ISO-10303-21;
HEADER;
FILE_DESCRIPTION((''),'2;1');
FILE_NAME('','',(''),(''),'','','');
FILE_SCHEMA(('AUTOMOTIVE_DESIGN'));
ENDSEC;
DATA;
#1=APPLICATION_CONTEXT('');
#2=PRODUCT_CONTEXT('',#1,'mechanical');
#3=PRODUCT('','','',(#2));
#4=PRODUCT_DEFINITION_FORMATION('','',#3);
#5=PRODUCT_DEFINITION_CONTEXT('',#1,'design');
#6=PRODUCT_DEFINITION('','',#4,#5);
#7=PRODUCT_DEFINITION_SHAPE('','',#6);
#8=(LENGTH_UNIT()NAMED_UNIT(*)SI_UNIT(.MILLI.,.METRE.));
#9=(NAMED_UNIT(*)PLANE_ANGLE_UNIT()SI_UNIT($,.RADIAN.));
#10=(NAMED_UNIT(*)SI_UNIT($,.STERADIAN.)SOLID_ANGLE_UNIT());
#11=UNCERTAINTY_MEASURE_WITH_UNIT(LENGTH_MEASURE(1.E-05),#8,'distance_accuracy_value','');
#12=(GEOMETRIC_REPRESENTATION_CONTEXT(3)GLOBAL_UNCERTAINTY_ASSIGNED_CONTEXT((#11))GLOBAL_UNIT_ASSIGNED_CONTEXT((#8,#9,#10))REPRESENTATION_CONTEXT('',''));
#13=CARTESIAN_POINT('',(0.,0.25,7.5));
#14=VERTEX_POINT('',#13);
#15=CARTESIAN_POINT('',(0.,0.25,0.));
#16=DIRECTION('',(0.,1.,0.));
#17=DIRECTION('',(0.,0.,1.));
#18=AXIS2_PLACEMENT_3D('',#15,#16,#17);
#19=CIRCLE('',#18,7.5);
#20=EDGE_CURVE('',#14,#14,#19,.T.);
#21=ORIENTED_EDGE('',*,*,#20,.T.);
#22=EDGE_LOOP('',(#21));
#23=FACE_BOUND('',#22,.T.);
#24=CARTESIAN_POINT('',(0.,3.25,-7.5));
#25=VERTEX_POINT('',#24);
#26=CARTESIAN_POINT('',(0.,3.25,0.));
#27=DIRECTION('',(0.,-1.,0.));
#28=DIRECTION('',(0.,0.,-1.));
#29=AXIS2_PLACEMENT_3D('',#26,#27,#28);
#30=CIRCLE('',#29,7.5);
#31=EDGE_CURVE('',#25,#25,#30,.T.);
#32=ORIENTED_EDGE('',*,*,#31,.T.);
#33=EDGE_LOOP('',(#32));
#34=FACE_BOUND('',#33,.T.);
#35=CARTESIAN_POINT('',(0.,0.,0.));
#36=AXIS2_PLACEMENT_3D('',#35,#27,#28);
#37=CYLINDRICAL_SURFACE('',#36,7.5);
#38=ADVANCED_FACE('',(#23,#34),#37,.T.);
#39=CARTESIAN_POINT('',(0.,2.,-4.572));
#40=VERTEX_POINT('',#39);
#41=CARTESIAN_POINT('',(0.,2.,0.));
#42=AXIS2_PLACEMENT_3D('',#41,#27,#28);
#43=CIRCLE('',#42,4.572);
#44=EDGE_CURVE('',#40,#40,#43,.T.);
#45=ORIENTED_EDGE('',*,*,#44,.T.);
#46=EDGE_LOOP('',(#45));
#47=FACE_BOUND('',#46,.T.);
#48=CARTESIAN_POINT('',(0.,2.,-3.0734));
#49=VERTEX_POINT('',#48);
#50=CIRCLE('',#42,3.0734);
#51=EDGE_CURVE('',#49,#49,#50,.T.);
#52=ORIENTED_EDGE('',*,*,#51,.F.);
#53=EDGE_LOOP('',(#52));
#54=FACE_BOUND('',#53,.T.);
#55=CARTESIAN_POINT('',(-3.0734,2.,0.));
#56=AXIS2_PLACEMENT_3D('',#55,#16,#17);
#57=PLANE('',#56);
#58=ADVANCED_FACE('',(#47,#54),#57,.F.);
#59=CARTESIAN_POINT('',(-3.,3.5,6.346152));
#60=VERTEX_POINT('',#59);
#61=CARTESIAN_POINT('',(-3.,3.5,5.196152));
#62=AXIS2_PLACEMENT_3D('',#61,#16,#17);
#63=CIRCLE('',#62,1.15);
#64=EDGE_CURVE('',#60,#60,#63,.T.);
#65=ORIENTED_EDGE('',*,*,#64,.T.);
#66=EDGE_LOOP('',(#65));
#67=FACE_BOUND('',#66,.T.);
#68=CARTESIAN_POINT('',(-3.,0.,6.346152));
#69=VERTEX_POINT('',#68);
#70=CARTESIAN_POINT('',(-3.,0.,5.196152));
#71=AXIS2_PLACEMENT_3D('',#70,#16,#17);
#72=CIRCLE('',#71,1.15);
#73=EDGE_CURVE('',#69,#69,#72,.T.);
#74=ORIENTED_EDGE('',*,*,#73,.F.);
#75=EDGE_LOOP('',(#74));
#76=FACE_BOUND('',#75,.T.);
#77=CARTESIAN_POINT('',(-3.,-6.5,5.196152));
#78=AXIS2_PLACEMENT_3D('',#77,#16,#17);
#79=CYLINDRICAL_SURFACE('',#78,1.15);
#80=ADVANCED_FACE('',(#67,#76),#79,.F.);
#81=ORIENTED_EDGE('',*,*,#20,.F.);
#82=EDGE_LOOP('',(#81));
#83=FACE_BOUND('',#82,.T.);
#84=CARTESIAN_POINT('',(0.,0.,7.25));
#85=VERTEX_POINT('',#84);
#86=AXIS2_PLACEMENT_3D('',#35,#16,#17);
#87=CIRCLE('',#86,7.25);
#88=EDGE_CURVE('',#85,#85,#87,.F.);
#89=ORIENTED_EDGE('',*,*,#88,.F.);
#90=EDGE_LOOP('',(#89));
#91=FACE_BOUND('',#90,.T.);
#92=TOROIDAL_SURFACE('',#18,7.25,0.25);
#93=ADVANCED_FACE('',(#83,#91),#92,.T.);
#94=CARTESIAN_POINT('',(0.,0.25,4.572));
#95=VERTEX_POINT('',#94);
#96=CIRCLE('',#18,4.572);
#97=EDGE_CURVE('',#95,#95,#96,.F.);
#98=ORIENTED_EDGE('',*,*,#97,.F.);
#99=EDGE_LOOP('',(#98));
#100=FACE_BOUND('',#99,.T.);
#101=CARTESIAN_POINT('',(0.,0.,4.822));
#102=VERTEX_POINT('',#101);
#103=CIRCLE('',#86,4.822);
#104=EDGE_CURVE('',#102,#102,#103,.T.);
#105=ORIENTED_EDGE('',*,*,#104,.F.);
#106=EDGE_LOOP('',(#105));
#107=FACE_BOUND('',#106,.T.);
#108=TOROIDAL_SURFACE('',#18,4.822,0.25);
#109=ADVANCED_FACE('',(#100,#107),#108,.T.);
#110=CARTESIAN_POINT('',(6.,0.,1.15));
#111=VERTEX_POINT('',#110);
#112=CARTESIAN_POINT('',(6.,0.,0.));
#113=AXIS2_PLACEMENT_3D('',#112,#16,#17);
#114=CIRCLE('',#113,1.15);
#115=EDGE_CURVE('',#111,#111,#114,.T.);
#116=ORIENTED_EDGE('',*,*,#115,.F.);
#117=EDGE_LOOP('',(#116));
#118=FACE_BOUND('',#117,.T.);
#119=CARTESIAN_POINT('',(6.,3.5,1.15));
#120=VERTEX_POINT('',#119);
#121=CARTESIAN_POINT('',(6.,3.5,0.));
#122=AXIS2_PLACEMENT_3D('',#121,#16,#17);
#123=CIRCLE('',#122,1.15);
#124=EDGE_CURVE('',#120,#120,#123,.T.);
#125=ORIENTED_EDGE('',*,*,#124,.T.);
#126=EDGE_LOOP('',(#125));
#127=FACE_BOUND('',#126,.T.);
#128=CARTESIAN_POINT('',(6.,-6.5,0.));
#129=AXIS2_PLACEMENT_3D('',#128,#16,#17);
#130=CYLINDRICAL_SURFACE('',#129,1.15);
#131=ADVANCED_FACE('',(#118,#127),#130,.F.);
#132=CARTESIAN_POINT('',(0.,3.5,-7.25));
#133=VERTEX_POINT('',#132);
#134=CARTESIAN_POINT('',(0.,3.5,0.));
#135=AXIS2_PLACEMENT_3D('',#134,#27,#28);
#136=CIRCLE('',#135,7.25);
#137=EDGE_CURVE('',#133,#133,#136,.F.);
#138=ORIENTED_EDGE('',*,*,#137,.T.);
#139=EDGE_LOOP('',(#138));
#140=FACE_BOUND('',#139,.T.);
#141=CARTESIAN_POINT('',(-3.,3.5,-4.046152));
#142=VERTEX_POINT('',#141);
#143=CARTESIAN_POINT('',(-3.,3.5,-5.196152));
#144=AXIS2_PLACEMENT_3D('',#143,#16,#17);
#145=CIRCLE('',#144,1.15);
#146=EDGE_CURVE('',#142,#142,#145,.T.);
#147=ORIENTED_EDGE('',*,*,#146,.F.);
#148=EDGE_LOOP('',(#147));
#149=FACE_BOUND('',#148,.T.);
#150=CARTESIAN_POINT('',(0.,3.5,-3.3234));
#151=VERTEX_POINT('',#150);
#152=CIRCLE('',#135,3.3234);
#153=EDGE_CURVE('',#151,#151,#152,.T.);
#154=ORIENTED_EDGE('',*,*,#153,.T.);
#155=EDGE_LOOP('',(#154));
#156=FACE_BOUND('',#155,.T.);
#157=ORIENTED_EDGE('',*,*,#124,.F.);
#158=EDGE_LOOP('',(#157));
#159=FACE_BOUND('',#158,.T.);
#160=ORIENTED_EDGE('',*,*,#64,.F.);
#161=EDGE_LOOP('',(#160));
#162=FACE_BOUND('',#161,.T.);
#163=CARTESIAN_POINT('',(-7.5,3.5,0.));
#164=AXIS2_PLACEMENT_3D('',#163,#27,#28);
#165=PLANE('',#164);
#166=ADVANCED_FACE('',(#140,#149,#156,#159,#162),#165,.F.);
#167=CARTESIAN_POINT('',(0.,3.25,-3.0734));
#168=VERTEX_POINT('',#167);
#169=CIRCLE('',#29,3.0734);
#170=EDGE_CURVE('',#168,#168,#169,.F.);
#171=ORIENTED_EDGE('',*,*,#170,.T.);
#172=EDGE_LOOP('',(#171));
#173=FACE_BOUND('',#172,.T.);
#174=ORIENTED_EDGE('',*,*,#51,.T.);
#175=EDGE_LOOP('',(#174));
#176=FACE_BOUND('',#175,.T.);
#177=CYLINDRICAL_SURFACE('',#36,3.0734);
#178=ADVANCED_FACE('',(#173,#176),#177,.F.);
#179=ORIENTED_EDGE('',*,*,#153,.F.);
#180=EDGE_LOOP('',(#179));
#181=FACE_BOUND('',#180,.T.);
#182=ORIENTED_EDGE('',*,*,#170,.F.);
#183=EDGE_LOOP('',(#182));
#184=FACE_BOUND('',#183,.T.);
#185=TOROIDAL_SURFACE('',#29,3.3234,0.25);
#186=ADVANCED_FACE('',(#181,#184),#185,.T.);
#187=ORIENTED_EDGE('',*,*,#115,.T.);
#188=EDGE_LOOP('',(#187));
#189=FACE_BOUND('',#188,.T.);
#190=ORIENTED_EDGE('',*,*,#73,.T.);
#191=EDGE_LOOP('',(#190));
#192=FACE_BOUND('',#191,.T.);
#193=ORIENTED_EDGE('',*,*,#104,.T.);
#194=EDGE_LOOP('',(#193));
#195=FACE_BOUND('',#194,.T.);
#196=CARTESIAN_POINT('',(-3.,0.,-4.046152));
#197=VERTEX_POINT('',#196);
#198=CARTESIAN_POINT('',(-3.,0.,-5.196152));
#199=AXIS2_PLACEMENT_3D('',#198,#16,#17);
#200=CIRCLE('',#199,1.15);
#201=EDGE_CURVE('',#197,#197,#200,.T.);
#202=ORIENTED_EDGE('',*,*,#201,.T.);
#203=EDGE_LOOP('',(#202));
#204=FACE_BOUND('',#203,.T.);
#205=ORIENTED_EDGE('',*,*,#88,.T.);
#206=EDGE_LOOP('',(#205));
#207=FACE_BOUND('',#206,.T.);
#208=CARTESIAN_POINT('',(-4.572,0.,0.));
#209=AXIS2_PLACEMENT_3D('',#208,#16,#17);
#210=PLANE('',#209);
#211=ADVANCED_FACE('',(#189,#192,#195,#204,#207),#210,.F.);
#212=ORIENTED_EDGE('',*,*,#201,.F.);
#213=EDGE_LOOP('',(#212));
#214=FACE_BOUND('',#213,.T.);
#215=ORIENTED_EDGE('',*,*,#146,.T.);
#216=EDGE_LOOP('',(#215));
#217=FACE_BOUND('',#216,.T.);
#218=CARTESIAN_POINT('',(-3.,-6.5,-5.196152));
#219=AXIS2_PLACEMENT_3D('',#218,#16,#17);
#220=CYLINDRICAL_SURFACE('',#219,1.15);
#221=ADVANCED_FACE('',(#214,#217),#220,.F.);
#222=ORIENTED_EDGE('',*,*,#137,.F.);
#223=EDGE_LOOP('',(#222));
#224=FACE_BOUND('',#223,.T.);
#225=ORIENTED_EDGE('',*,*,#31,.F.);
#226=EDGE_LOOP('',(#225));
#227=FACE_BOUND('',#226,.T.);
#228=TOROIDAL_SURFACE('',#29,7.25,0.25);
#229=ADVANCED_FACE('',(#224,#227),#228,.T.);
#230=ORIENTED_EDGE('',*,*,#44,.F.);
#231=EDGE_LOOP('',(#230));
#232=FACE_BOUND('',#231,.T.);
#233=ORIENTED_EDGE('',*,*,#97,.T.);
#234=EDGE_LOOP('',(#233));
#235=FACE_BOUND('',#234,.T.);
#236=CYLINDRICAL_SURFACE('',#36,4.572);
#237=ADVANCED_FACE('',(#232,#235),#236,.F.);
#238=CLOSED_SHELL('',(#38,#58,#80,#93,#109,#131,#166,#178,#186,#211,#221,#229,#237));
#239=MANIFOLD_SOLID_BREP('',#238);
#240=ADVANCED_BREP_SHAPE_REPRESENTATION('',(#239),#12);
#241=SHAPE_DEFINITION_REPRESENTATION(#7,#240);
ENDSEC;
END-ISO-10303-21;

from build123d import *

# Parameters (mm, degrees)
SKETCH2_R          = 1.15
CUT_EXTRUDE1_DEPTH = 10
FILLET3_R          = 0.25
FILLET4_R          = 0.25
FILLET5_R          = 0.25


with BuildPart() as part:
    # Sketch1 → Revolve1 (revolve)
    with BuildSketch(Plane.XY):
        Polygon((-4.572, 0), (-7.5, 0), (-7.5, 3.5), (-3.0734, 3.5), (-3.0734, 2), (-4.572, 2), align=None)
    revolve(axis=Axis((0, 0, 0), (0, 1, 0)))

    # Sketch2 → Cut-Extrude1 (cut)
    with BuildSketch(Plane(origin=(0, 3.5, 0), x_dir=(1, 0, 0), z_dir=(0, 1, 0))):
        with Locations((6, 0)):
            Circle(SKETCH2_R)
        with Locations((-3, -5.196152423)):
            Circle(SKETCH2_R)
        with Locations((-3, 5.196152423)):
            Circle(SKETCH2_R)
    extrude(amount=-CUT_EXTRUDE1_DEPTH, mode=Mode.SUBTRACT)

    # Fillet3
    fillet3_edges = [part.edges().sort_by_distance(p)[0] for p in [
        (3.0734, 3.5, 0),
    ]]
    fillet(fillet3_edges, radius=FILLET3_R)

    # Fillet4
    fillet4_edges = [part.edges().sort_by_distance(p)[0] for p in [
        (7.5, 3.5, 0),
    ]]
    fillet(fillet4_edges, radius=FILLET4_R)

    # Fillet5
    fillet5_edges = [part.edges().sort_by_distance(p)[0] for p in [
        (7.5, 0, 0),
        (4.572, 0, 0),
    ]]
    fillet(fillet5_edges, radius=FILLET5_R)


solid = part.part
